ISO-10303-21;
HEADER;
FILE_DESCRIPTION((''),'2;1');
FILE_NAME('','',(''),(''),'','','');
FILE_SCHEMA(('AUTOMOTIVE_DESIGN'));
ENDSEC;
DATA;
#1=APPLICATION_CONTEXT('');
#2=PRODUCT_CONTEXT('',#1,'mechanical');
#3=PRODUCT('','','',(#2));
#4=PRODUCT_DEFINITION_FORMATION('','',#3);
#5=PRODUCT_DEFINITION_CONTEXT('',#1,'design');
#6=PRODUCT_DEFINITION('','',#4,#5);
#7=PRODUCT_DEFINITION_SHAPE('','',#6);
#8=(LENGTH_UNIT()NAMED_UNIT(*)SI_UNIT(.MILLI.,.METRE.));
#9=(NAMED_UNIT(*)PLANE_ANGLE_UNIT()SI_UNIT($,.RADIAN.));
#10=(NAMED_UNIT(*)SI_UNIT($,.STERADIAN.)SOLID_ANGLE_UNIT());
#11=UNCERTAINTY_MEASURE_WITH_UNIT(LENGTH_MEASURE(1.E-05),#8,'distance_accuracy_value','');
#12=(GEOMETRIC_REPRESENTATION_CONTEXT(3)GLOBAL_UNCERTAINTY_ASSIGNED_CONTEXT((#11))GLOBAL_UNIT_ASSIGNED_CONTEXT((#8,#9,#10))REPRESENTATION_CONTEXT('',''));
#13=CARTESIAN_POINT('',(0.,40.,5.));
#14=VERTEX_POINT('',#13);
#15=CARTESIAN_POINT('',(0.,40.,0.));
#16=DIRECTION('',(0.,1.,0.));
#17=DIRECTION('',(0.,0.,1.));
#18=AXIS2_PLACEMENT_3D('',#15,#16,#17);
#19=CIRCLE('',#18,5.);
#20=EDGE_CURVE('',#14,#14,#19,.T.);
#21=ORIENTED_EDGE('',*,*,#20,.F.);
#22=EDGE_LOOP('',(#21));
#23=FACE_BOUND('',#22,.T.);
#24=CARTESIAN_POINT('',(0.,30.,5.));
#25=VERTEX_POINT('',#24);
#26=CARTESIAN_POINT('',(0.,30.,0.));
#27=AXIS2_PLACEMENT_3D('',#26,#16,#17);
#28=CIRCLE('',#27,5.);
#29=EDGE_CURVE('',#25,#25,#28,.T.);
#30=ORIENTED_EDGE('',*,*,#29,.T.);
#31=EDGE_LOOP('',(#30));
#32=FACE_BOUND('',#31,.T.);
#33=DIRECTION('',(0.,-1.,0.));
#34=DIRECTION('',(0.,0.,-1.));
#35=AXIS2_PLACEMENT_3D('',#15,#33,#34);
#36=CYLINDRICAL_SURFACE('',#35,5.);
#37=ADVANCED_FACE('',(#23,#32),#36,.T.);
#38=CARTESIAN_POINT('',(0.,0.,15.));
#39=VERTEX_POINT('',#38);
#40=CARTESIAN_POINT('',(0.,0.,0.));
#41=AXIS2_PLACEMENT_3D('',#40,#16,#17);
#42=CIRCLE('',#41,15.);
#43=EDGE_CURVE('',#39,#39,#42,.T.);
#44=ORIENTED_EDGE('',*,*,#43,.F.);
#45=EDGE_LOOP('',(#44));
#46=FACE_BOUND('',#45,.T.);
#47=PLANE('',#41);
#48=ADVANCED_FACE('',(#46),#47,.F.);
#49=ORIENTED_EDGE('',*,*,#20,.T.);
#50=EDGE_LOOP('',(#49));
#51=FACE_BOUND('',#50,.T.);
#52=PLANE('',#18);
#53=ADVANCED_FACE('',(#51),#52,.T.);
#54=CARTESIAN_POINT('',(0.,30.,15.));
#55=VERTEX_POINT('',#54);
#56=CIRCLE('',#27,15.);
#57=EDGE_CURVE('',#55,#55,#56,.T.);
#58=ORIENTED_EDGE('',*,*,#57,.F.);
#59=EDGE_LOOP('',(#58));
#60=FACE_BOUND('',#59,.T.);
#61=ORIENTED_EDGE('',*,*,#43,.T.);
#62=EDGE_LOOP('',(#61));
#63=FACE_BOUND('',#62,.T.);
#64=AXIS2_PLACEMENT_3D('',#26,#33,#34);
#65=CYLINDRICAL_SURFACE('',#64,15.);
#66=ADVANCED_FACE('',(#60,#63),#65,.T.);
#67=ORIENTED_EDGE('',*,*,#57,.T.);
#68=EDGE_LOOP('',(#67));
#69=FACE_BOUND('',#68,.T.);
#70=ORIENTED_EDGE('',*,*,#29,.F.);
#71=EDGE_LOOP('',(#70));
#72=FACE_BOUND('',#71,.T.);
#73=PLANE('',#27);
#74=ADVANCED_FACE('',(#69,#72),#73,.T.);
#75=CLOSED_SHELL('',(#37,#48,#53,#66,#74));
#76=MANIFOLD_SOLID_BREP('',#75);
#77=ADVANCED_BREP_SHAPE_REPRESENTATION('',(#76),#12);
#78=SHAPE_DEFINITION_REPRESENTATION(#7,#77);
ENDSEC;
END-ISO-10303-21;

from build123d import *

# Parameters (mm, degrees)
SKETCH1_R           = 15
BOSS_EXTRUDE1_DEPTH = 30
SKETCH2_R           = 5
BOSS_EXTRUDE2_DEPTH = 10


with BuildPart() as part:
    # Sketch1 → Boss-Extrude1 (new body)
    with BuildSketch(Plane(origin=(0, 0, 0), x_dir=(1, 0, 0), z_dir=(0, 1, 0))):
        Circle(SKETCH1_R)
    extrude(amount=BOSS_EXTRUDE1_DEPTH)

    # Sketch2 → Boss-Extrude2 (add)
    with BuildSketch(Plane(origin=(0, 30, 0), x_dir=(1, 0, 0), z_dir=(0, 1, 0))):
        Circle(SKETCH2_R)
    extrude(amount=BOSS_EXTRUDE2_DEPTH)


solid = part.part
